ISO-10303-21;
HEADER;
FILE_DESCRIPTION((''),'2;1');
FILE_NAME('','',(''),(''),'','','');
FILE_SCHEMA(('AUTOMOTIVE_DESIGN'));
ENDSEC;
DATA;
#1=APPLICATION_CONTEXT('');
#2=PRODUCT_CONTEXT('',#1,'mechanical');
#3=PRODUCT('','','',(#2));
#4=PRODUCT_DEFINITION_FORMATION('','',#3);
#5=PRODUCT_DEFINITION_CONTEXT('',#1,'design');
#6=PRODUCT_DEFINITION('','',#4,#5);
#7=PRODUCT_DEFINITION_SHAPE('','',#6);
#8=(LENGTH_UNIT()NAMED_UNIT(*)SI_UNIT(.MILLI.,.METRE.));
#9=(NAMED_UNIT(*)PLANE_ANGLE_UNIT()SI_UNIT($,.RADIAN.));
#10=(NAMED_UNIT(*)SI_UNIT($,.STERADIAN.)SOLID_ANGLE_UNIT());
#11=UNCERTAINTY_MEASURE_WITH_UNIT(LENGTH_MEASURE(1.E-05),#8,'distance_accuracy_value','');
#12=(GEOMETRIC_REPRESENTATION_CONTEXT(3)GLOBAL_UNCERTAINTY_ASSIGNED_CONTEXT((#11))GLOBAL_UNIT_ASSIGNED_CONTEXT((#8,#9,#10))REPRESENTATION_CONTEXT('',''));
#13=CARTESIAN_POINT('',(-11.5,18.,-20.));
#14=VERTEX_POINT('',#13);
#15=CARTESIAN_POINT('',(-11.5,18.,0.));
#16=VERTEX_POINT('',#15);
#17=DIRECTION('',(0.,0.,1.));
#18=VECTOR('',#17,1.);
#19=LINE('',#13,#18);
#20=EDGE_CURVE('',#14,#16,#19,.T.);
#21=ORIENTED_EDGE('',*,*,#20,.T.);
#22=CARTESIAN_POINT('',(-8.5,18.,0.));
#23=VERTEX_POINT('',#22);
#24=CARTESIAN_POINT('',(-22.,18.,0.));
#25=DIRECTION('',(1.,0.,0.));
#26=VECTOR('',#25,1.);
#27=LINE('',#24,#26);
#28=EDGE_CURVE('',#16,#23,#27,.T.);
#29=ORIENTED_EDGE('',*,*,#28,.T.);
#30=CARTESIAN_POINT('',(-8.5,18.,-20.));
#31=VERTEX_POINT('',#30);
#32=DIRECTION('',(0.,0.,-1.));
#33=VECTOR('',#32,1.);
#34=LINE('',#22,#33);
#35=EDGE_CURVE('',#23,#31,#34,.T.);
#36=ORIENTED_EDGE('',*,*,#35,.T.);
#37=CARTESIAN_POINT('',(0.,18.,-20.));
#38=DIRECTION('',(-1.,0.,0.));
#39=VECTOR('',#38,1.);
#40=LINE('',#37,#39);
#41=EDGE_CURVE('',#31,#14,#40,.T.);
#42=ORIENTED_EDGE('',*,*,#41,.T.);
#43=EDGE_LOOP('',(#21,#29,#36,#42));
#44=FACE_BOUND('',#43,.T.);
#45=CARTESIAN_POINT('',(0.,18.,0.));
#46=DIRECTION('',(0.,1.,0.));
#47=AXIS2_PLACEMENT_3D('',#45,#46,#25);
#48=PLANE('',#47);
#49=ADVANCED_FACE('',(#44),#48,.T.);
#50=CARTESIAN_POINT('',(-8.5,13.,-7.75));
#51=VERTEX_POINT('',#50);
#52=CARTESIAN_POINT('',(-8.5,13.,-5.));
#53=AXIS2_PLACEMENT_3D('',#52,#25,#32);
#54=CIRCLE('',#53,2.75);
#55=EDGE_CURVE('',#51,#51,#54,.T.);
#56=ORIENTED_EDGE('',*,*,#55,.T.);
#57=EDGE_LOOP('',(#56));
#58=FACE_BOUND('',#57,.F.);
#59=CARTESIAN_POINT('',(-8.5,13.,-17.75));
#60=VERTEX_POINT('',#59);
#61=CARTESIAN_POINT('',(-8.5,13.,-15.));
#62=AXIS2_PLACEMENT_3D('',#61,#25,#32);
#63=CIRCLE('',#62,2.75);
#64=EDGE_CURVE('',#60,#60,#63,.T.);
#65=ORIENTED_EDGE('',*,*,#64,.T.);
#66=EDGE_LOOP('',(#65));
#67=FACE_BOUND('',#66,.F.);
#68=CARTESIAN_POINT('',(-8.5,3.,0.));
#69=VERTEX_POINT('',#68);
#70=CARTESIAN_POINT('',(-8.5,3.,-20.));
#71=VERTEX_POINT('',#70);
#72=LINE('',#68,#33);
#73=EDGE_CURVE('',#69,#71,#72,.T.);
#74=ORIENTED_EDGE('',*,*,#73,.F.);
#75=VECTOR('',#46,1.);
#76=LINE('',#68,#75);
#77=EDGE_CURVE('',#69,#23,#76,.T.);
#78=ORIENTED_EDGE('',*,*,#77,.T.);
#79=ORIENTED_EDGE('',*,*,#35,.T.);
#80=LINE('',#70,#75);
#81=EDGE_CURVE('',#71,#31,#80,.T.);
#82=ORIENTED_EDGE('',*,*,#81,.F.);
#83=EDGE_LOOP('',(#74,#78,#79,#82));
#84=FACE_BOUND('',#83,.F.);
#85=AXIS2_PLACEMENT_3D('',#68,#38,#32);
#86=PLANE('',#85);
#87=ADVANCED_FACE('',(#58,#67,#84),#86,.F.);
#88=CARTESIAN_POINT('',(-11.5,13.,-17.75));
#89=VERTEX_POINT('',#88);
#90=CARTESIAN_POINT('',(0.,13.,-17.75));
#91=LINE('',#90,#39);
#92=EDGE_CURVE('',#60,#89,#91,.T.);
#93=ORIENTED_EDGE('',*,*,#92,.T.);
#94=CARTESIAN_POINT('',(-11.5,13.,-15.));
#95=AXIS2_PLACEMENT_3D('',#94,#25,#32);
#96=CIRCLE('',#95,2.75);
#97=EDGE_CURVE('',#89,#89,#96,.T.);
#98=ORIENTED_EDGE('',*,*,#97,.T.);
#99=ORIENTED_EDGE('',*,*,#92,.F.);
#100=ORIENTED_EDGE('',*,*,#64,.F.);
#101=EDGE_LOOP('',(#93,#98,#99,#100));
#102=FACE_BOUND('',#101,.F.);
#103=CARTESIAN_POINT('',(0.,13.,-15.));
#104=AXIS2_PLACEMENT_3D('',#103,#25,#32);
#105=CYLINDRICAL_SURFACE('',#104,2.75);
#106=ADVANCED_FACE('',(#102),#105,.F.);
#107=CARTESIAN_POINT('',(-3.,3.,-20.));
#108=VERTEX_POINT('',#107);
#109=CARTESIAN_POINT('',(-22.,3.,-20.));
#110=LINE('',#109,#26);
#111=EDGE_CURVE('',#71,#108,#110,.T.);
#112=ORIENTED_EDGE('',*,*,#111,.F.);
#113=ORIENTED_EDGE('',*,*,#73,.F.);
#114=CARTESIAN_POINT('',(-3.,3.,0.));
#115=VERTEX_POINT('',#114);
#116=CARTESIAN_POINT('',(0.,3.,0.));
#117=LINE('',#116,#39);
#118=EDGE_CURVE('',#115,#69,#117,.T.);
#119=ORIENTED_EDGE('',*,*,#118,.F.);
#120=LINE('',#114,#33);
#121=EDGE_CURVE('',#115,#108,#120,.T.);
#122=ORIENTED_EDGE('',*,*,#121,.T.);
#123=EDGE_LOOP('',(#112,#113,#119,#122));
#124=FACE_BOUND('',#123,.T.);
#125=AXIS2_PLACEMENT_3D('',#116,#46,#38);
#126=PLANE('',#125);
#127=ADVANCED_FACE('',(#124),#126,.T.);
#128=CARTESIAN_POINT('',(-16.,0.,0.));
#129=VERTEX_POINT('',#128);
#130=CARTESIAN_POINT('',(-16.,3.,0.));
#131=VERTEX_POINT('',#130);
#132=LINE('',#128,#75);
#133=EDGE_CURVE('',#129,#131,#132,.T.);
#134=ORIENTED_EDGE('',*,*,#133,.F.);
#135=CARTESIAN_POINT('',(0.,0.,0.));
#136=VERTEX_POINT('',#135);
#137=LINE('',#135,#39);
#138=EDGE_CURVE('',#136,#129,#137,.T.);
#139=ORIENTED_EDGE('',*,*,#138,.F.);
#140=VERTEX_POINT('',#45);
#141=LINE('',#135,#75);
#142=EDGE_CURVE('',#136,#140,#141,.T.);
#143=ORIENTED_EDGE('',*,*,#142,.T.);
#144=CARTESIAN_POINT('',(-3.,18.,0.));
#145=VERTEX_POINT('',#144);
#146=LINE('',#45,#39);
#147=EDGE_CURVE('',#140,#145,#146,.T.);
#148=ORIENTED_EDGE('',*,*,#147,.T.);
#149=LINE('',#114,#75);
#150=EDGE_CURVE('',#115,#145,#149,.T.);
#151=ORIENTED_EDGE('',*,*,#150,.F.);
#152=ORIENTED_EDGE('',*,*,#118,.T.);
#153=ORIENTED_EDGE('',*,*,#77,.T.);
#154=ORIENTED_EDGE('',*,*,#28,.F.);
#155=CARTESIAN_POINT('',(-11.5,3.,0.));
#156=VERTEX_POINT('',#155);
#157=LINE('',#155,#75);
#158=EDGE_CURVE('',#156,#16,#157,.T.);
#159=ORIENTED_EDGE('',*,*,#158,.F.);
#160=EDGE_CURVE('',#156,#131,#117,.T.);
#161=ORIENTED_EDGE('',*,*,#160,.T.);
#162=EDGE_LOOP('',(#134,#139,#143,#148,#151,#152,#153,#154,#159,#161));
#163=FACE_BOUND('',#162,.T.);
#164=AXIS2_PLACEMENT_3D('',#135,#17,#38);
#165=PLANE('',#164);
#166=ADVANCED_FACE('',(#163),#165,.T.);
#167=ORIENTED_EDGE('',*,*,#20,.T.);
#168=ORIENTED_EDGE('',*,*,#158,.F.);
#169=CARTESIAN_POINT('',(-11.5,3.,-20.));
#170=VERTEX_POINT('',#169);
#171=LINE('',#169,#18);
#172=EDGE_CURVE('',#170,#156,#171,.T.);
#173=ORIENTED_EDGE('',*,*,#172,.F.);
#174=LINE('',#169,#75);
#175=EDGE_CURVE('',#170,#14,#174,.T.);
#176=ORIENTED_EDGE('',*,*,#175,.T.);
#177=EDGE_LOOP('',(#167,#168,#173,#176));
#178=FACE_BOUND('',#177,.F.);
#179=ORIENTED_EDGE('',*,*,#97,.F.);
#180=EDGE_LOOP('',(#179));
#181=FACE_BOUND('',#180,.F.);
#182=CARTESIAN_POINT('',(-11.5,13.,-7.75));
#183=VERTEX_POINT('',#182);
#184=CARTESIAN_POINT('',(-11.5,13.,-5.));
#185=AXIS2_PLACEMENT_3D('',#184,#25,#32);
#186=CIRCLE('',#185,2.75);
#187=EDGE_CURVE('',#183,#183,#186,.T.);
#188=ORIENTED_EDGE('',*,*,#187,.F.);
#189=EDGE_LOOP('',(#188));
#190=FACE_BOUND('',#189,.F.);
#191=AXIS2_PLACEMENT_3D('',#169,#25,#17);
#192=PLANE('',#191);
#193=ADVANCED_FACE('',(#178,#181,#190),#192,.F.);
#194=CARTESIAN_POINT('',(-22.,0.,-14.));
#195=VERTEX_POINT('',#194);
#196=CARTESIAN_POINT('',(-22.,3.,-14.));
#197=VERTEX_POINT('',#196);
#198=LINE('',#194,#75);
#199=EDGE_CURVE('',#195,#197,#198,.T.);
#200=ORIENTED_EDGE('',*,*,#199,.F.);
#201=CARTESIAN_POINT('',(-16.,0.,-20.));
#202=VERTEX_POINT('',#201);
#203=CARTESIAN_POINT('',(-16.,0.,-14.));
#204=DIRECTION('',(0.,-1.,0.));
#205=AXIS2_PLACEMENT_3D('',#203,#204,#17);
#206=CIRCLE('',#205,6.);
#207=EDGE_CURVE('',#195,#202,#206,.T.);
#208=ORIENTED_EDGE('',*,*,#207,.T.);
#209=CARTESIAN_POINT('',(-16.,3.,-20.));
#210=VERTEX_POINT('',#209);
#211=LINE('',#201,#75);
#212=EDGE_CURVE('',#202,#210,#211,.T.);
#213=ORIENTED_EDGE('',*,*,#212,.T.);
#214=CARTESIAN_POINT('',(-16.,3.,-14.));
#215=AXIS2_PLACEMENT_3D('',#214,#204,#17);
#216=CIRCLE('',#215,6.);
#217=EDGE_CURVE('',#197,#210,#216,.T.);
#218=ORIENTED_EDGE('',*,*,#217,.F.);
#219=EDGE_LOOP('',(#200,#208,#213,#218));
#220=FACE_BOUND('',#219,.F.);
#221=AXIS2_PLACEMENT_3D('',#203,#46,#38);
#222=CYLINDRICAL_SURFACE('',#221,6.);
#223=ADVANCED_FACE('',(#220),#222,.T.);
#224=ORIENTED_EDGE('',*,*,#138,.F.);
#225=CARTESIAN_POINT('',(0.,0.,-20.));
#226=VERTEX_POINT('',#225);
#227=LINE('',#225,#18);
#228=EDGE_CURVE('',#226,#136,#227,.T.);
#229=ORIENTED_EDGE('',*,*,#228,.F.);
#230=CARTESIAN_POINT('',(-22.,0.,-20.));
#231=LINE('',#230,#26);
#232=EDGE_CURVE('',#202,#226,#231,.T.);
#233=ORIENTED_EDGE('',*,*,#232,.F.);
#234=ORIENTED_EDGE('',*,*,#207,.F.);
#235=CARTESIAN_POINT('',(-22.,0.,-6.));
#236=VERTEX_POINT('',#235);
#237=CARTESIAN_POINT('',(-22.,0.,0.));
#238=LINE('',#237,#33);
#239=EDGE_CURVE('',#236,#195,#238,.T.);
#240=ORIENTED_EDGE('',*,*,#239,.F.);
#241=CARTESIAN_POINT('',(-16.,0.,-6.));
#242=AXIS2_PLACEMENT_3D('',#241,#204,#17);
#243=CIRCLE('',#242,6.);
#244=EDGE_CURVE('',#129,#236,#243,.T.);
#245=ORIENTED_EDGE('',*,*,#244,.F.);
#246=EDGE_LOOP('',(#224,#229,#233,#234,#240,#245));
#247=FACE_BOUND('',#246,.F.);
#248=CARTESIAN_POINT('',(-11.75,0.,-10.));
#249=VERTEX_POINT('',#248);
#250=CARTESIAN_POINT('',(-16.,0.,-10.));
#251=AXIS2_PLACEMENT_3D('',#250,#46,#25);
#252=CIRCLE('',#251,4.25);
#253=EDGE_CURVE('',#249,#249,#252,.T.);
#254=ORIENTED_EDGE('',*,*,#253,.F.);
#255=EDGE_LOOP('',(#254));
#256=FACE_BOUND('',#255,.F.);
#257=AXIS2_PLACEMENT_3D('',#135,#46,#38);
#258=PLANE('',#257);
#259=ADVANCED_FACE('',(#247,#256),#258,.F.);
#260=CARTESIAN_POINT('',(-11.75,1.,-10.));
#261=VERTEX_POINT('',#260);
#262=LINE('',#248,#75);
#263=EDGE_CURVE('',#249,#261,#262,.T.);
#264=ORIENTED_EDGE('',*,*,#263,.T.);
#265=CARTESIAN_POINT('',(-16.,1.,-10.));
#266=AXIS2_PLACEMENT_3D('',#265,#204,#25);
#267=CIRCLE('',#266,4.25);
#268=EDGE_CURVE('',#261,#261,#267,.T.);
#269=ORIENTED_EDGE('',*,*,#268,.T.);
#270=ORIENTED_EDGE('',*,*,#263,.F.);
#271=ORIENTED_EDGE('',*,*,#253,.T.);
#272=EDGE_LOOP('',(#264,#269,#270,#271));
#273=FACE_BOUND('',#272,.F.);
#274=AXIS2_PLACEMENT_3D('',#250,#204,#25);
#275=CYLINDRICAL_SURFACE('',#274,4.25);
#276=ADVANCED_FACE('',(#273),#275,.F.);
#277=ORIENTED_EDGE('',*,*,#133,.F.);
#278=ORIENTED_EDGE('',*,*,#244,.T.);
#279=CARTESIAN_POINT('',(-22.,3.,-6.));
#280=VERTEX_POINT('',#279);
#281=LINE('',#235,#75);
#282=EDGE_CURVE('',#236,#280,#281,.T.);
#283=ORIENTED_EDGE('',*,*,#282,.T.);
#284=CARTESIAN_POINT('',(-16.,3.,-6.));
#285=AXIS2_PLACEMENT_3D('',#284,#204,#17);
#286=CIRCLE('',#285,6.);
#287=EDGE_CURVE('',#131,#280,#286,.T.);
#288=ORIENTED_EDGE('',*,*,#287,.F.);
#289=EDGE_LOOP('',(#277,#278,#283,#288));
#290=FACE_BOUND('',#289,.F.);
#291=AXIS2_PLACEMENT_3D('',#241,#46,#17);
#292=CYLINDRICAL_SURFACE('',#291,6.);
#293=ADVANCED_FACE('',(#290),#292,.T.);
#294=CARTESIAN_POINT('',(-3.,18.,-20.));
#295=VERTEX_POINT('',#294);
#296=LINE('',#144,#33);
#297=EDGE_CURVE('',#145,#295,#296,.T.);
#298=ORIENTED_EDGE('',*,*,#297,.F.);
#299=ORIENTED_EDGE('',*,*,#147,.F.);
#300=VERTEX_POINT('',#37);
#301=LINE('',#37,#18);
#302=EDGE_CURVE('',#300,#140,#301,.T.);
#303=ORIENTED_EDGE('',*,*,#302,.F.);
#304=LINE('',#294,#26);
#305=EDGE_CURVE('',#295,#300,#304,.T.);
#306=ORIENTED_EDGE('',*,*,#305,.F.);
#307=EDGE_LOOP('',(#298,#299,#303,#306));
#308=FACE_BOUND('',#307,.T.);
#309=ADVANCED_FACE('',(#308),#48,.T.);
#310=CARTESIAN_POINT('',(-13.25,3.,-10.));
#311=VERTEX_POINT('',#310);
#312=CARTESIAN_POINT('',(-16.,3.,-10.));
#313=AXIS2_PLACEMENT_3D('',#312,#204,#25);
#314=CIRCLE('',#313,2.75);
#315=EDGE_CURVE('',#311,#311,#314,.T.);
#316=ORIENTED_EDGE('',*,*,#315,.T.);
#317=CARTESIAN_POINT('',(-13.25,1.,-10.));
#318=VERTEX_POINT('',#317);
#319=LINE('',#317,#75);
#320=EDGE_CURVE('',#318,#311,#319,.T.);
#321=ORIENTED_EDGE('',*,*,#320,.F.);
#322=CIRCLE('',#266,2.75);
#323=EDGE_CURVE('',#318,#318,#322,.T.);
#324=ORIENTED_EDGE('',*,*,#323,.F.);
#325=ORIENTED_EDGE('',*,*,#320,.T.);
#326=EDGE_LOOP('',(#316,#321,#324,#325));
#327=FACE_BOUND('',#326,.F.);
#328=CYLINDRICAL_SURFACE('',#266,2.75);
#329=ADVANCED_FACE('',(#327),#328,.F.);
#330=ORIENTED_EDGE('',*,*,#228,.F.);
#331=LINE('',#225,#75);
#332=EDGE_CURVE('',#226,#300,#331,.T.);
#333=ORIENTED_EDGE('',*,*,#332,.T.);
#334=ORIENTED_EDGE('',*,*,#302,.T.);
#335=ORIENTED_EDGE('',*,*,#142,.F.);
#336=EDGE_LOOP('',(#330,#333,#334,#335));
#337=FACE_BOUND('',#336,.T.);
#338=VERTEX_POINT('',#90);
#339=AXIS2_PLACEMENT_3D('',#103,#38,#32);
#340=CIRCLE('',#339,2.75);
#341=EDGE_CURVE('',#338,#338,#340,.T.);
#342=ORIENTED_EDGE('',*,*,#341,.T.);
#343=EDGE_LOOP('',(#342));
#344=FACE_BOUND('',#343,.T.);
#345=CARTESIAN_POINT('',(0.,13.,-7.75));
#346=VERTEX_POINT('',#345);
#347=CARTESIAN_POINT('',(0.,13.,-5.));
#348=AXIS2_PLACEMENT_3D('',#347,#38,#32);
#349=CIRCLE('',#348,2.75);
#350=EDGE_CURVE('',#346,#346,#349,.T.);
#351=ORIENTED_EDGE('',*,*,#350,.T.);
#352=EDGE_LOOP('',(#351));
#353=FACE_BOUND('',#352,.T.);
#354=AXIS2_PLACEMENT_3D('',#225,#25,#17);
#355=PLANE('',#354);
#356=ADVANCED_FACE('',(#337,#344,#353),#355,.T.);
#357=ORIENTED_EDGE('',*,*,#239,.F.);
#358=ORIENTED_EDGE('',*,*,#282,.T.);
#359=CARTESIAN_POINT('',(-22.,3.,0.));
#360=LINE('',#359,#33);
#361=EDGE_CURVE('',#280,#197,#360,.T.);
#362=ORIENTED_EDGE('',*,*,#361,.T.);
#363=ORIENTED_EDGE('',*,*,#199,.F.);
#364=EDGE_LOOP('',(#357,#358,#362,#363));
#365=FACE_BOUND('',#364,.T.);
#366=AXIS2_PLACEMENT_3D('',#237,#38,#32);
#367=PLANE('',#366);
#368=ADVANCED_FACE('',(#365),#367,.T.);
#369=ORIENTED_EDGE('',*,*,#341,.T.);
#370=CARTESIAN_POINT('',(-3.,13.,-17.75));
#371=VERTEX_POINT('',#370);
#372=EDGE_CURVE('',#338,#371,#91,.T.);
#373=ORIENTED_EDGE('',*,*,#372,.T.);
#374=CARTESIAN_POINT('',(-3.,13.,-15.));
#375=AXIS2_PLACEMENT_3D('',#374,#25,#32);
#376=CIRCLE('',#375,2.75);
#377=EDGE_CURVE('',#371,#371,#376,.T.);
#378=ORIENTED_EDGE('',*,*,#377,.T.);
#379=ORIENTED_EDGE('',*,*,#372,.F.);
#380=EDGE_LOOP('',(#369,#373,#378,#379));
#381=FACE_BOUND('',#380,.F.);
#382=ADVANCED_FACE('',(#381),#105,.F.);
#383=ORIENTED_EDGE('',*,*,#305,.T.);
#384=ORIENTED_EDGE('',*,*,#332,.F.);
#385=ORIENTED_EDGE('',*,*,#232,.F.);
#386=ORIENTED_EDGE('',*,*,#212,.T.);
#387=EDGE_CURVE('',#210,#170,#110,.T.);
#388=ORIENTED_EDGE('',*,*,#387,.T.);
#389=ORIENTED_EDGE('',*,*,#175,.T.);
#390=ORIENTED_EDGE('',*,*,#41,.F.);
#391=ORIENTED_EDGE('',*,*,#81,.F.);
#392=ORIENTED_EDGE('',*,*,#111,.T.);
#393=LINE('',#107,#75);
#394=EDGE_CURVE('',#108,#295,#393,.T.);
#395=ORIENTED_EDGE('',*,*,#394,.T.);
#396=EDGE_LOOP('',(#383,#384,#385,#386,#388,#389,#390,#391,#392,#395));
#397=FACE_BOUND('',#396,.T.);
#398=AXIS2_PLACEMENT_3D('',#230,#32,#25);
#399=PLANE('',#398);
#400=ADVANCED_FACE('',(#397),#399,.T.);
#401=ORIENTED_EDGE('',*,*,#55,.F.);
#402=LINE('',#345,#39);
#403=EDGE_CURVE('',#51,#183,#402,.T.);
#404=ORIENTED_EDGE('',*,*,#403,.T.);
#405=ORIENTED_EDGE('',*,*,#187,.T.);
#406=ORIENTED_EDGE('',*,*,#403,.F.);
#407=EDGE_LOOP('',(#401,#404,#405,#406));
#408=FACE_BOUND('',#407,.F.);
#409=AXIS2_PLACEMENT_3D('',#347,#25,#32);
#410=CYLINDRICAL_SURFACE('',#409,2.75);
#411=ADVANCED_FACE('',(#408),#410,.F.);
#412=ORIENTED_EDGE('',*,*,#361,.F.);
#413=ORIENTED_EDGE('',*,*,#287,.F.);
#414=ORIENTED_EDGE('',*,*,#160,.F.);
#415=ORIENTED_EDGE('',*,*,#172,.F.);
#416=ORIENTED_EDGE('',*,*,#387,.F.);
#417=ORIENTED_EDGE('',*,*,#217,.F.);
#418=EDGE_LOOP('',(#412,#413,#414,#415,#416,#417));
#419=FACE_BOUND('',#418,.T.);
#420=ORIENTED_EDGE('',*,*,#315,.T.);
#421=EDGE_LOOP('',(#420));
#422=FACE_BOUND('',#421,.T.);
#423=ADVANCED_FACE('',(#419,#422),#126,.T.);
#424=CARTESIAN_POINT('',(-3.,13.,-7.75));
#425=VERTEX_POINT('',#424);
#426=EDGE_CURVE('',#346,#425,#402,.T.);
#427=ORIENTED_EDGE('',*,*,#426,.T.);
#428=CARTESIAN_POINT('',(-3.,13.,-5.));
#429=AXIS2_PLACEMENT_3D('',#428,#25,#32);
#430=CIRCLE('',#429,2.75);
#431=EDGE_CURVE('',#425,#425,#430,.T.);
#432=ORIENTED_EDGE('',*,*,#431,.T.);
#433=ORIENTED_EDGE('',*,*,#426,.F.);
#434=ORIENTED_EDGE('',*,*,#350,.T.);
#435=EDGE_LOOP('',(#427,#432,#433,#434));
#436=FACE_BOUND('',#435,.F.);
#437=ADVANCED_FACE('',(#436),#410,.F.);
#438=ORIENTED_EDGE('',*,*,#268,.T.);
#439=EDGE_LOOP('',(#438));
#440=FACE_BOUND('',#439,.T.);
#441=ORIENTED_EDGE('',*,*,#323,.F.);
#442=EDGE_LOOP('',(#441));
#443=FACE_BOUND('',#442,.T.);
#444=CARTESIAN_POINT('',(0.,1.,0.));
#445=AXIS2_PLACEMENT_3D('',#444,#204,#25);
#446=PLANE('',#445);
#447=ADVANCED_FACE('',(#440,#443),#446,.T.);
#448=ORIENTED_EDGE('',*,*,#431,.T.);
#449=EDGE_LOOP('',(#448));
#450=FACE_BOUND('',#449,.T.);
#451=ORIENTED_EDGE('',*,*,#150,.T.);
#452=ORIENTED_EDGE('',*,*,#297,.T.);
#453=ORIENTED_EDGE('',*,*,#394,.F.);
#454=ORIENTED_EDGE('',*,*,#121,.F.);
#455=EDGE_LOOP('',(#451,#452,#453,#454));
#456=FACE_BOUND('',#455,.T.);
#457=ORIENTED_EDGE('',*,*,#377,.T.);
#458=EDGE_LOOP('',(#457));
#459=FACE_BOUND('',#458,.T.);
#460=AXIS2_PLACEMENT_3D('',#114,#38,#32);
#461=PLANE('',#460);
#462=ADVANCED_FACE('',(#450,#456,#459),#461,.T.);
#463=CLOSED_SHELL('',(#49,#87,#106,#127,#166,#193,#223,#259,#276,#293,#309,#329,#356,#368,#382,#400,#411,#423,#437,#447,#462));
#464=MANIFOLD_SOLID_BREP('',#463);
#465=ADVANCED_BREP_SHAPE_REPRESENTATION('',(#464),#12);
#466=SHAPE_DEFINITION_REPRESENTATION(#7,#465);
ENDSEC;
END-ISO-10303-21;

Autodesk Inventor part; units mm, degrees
ref_plane "YZ Plane" through (0, 0, 0) normal (1, 0, 0) x (0, 1, 0)
ref_plane "XZ Plane" through (0, 0, 0) normal (0, 1, 0) x (-1, 0, 0)
ref_plane "XY Plane" through (0, 0, 0) normal (0, 0, 1) x (1, 0, 0)
sketch "Sketch1" plane through (0, 0, 0) normal (0, 1, 0) x (-1, 0, 0)
  line L0 (0, 0) -> (22, 0)
  line L1 (22, 0) -> (22, -20)
  line L2 (22, -20) -> (0, -20)
  line L3 (0, -20) -> (0, 0)
  dimension "d2" = 20
  dimension "d3" = 22
extrude "Extrusion1" add sketch "Sketch1" along normal blind 3
sketch "Sketch3" plane through (0, 3, 0) normal (0, 1, 0) x (1, 0, 0)
  line L0 (0, 0) -> (-3, 0)
  line L1 (-3, 0) -> (-3, 20)
  line L2 (-3, 20) -> (0, 20)
  line L3 (0, 20) -> (0, 0)
  line L4 (-22, 0) -> (0, 0) projected
  line L5 (0, 20) -> (-22, 20) projected
  line L6 (-11.5, 0) -> (-8.5, 0)
  line L7 (-8.5, 0) -> (-8.5, 20)
  line L8 (-8.5, 20) -> (-11.5, 20)
  line L9 (-11.5, 20) -> (-11.5, 0)
  dimension "d8" = 3
  dimension "d25" = 3
  dimension "d26" = 5.5
extrude "Extrusion2" add sketch "Sketch3" along normal blind 15 contours L0 L1 L2 L3 | L4 L9 L5 L7
sketch "Sketch4" plane through (0, 0, 0) normal (1, 0, 0) x (0, 0, -1)
  line L0 (0, 3) -> (0, 18) projected
  line L1 (0, 13) -> (20.043, 13)
  line L2 (0, 18) -> (20, 18) projected
  circle A0 centre (5, 13) radius 2.75
  circle A1 centre (15, 13) radius 2.75
  line L3 (20, 0) -> (20, 18) projected
  point P0 (0, 0)
  dimension "d11" = 5
  dimension "d12" = 10
  dimension "d13" = 5.5
  dimension "d14" = 5.5
  dimension "d15" = 5
extrude "Extrusion3" cut sketch "Sketch4" against normal blind 29.25 contours A0 L1 | L1 A0 | A1 L1 | L1 A1
sketch "Sketch5" plane through (0, 0, 0) normal (0, -1, 0) x (1, 0, 0)
  line L0 (-22, 0) -> (0, 0) projected
  line L1 (-16, 0) -> (-16, -20)
  line L2 (0, -20) -> (-22, -20) projected
  line L3 (-22, -20) -> (-22, 0) projected
  circle A0 centre (-16, -10) radius 4.25
  dimension "d18" = 6
  dimension "d19" = 8.5
  dimension "d27" = 10
extrude "Extrusion4" cut sketch "Sketch5" against normal blind 1 contours A0 L1 | L1 A0
sketch "Sketch6" plane through (-16, 1, -10) normal (0, -1, 0) x (1, 0, 0)
  circle A0 centre (0, 0) radius 2.75
  point P0 (16, 10)
  dimension "d22" = 5.5
extrude "Extrusion5" cut sketch "Sketch6" against normal blind 9
fillet "Fillet1" radius 6 2 edges at (-22, 1.5, -20) (-22, 1.5, 0)
properties part number "XY_Zfixer" material "Thermoplastic Resin"
